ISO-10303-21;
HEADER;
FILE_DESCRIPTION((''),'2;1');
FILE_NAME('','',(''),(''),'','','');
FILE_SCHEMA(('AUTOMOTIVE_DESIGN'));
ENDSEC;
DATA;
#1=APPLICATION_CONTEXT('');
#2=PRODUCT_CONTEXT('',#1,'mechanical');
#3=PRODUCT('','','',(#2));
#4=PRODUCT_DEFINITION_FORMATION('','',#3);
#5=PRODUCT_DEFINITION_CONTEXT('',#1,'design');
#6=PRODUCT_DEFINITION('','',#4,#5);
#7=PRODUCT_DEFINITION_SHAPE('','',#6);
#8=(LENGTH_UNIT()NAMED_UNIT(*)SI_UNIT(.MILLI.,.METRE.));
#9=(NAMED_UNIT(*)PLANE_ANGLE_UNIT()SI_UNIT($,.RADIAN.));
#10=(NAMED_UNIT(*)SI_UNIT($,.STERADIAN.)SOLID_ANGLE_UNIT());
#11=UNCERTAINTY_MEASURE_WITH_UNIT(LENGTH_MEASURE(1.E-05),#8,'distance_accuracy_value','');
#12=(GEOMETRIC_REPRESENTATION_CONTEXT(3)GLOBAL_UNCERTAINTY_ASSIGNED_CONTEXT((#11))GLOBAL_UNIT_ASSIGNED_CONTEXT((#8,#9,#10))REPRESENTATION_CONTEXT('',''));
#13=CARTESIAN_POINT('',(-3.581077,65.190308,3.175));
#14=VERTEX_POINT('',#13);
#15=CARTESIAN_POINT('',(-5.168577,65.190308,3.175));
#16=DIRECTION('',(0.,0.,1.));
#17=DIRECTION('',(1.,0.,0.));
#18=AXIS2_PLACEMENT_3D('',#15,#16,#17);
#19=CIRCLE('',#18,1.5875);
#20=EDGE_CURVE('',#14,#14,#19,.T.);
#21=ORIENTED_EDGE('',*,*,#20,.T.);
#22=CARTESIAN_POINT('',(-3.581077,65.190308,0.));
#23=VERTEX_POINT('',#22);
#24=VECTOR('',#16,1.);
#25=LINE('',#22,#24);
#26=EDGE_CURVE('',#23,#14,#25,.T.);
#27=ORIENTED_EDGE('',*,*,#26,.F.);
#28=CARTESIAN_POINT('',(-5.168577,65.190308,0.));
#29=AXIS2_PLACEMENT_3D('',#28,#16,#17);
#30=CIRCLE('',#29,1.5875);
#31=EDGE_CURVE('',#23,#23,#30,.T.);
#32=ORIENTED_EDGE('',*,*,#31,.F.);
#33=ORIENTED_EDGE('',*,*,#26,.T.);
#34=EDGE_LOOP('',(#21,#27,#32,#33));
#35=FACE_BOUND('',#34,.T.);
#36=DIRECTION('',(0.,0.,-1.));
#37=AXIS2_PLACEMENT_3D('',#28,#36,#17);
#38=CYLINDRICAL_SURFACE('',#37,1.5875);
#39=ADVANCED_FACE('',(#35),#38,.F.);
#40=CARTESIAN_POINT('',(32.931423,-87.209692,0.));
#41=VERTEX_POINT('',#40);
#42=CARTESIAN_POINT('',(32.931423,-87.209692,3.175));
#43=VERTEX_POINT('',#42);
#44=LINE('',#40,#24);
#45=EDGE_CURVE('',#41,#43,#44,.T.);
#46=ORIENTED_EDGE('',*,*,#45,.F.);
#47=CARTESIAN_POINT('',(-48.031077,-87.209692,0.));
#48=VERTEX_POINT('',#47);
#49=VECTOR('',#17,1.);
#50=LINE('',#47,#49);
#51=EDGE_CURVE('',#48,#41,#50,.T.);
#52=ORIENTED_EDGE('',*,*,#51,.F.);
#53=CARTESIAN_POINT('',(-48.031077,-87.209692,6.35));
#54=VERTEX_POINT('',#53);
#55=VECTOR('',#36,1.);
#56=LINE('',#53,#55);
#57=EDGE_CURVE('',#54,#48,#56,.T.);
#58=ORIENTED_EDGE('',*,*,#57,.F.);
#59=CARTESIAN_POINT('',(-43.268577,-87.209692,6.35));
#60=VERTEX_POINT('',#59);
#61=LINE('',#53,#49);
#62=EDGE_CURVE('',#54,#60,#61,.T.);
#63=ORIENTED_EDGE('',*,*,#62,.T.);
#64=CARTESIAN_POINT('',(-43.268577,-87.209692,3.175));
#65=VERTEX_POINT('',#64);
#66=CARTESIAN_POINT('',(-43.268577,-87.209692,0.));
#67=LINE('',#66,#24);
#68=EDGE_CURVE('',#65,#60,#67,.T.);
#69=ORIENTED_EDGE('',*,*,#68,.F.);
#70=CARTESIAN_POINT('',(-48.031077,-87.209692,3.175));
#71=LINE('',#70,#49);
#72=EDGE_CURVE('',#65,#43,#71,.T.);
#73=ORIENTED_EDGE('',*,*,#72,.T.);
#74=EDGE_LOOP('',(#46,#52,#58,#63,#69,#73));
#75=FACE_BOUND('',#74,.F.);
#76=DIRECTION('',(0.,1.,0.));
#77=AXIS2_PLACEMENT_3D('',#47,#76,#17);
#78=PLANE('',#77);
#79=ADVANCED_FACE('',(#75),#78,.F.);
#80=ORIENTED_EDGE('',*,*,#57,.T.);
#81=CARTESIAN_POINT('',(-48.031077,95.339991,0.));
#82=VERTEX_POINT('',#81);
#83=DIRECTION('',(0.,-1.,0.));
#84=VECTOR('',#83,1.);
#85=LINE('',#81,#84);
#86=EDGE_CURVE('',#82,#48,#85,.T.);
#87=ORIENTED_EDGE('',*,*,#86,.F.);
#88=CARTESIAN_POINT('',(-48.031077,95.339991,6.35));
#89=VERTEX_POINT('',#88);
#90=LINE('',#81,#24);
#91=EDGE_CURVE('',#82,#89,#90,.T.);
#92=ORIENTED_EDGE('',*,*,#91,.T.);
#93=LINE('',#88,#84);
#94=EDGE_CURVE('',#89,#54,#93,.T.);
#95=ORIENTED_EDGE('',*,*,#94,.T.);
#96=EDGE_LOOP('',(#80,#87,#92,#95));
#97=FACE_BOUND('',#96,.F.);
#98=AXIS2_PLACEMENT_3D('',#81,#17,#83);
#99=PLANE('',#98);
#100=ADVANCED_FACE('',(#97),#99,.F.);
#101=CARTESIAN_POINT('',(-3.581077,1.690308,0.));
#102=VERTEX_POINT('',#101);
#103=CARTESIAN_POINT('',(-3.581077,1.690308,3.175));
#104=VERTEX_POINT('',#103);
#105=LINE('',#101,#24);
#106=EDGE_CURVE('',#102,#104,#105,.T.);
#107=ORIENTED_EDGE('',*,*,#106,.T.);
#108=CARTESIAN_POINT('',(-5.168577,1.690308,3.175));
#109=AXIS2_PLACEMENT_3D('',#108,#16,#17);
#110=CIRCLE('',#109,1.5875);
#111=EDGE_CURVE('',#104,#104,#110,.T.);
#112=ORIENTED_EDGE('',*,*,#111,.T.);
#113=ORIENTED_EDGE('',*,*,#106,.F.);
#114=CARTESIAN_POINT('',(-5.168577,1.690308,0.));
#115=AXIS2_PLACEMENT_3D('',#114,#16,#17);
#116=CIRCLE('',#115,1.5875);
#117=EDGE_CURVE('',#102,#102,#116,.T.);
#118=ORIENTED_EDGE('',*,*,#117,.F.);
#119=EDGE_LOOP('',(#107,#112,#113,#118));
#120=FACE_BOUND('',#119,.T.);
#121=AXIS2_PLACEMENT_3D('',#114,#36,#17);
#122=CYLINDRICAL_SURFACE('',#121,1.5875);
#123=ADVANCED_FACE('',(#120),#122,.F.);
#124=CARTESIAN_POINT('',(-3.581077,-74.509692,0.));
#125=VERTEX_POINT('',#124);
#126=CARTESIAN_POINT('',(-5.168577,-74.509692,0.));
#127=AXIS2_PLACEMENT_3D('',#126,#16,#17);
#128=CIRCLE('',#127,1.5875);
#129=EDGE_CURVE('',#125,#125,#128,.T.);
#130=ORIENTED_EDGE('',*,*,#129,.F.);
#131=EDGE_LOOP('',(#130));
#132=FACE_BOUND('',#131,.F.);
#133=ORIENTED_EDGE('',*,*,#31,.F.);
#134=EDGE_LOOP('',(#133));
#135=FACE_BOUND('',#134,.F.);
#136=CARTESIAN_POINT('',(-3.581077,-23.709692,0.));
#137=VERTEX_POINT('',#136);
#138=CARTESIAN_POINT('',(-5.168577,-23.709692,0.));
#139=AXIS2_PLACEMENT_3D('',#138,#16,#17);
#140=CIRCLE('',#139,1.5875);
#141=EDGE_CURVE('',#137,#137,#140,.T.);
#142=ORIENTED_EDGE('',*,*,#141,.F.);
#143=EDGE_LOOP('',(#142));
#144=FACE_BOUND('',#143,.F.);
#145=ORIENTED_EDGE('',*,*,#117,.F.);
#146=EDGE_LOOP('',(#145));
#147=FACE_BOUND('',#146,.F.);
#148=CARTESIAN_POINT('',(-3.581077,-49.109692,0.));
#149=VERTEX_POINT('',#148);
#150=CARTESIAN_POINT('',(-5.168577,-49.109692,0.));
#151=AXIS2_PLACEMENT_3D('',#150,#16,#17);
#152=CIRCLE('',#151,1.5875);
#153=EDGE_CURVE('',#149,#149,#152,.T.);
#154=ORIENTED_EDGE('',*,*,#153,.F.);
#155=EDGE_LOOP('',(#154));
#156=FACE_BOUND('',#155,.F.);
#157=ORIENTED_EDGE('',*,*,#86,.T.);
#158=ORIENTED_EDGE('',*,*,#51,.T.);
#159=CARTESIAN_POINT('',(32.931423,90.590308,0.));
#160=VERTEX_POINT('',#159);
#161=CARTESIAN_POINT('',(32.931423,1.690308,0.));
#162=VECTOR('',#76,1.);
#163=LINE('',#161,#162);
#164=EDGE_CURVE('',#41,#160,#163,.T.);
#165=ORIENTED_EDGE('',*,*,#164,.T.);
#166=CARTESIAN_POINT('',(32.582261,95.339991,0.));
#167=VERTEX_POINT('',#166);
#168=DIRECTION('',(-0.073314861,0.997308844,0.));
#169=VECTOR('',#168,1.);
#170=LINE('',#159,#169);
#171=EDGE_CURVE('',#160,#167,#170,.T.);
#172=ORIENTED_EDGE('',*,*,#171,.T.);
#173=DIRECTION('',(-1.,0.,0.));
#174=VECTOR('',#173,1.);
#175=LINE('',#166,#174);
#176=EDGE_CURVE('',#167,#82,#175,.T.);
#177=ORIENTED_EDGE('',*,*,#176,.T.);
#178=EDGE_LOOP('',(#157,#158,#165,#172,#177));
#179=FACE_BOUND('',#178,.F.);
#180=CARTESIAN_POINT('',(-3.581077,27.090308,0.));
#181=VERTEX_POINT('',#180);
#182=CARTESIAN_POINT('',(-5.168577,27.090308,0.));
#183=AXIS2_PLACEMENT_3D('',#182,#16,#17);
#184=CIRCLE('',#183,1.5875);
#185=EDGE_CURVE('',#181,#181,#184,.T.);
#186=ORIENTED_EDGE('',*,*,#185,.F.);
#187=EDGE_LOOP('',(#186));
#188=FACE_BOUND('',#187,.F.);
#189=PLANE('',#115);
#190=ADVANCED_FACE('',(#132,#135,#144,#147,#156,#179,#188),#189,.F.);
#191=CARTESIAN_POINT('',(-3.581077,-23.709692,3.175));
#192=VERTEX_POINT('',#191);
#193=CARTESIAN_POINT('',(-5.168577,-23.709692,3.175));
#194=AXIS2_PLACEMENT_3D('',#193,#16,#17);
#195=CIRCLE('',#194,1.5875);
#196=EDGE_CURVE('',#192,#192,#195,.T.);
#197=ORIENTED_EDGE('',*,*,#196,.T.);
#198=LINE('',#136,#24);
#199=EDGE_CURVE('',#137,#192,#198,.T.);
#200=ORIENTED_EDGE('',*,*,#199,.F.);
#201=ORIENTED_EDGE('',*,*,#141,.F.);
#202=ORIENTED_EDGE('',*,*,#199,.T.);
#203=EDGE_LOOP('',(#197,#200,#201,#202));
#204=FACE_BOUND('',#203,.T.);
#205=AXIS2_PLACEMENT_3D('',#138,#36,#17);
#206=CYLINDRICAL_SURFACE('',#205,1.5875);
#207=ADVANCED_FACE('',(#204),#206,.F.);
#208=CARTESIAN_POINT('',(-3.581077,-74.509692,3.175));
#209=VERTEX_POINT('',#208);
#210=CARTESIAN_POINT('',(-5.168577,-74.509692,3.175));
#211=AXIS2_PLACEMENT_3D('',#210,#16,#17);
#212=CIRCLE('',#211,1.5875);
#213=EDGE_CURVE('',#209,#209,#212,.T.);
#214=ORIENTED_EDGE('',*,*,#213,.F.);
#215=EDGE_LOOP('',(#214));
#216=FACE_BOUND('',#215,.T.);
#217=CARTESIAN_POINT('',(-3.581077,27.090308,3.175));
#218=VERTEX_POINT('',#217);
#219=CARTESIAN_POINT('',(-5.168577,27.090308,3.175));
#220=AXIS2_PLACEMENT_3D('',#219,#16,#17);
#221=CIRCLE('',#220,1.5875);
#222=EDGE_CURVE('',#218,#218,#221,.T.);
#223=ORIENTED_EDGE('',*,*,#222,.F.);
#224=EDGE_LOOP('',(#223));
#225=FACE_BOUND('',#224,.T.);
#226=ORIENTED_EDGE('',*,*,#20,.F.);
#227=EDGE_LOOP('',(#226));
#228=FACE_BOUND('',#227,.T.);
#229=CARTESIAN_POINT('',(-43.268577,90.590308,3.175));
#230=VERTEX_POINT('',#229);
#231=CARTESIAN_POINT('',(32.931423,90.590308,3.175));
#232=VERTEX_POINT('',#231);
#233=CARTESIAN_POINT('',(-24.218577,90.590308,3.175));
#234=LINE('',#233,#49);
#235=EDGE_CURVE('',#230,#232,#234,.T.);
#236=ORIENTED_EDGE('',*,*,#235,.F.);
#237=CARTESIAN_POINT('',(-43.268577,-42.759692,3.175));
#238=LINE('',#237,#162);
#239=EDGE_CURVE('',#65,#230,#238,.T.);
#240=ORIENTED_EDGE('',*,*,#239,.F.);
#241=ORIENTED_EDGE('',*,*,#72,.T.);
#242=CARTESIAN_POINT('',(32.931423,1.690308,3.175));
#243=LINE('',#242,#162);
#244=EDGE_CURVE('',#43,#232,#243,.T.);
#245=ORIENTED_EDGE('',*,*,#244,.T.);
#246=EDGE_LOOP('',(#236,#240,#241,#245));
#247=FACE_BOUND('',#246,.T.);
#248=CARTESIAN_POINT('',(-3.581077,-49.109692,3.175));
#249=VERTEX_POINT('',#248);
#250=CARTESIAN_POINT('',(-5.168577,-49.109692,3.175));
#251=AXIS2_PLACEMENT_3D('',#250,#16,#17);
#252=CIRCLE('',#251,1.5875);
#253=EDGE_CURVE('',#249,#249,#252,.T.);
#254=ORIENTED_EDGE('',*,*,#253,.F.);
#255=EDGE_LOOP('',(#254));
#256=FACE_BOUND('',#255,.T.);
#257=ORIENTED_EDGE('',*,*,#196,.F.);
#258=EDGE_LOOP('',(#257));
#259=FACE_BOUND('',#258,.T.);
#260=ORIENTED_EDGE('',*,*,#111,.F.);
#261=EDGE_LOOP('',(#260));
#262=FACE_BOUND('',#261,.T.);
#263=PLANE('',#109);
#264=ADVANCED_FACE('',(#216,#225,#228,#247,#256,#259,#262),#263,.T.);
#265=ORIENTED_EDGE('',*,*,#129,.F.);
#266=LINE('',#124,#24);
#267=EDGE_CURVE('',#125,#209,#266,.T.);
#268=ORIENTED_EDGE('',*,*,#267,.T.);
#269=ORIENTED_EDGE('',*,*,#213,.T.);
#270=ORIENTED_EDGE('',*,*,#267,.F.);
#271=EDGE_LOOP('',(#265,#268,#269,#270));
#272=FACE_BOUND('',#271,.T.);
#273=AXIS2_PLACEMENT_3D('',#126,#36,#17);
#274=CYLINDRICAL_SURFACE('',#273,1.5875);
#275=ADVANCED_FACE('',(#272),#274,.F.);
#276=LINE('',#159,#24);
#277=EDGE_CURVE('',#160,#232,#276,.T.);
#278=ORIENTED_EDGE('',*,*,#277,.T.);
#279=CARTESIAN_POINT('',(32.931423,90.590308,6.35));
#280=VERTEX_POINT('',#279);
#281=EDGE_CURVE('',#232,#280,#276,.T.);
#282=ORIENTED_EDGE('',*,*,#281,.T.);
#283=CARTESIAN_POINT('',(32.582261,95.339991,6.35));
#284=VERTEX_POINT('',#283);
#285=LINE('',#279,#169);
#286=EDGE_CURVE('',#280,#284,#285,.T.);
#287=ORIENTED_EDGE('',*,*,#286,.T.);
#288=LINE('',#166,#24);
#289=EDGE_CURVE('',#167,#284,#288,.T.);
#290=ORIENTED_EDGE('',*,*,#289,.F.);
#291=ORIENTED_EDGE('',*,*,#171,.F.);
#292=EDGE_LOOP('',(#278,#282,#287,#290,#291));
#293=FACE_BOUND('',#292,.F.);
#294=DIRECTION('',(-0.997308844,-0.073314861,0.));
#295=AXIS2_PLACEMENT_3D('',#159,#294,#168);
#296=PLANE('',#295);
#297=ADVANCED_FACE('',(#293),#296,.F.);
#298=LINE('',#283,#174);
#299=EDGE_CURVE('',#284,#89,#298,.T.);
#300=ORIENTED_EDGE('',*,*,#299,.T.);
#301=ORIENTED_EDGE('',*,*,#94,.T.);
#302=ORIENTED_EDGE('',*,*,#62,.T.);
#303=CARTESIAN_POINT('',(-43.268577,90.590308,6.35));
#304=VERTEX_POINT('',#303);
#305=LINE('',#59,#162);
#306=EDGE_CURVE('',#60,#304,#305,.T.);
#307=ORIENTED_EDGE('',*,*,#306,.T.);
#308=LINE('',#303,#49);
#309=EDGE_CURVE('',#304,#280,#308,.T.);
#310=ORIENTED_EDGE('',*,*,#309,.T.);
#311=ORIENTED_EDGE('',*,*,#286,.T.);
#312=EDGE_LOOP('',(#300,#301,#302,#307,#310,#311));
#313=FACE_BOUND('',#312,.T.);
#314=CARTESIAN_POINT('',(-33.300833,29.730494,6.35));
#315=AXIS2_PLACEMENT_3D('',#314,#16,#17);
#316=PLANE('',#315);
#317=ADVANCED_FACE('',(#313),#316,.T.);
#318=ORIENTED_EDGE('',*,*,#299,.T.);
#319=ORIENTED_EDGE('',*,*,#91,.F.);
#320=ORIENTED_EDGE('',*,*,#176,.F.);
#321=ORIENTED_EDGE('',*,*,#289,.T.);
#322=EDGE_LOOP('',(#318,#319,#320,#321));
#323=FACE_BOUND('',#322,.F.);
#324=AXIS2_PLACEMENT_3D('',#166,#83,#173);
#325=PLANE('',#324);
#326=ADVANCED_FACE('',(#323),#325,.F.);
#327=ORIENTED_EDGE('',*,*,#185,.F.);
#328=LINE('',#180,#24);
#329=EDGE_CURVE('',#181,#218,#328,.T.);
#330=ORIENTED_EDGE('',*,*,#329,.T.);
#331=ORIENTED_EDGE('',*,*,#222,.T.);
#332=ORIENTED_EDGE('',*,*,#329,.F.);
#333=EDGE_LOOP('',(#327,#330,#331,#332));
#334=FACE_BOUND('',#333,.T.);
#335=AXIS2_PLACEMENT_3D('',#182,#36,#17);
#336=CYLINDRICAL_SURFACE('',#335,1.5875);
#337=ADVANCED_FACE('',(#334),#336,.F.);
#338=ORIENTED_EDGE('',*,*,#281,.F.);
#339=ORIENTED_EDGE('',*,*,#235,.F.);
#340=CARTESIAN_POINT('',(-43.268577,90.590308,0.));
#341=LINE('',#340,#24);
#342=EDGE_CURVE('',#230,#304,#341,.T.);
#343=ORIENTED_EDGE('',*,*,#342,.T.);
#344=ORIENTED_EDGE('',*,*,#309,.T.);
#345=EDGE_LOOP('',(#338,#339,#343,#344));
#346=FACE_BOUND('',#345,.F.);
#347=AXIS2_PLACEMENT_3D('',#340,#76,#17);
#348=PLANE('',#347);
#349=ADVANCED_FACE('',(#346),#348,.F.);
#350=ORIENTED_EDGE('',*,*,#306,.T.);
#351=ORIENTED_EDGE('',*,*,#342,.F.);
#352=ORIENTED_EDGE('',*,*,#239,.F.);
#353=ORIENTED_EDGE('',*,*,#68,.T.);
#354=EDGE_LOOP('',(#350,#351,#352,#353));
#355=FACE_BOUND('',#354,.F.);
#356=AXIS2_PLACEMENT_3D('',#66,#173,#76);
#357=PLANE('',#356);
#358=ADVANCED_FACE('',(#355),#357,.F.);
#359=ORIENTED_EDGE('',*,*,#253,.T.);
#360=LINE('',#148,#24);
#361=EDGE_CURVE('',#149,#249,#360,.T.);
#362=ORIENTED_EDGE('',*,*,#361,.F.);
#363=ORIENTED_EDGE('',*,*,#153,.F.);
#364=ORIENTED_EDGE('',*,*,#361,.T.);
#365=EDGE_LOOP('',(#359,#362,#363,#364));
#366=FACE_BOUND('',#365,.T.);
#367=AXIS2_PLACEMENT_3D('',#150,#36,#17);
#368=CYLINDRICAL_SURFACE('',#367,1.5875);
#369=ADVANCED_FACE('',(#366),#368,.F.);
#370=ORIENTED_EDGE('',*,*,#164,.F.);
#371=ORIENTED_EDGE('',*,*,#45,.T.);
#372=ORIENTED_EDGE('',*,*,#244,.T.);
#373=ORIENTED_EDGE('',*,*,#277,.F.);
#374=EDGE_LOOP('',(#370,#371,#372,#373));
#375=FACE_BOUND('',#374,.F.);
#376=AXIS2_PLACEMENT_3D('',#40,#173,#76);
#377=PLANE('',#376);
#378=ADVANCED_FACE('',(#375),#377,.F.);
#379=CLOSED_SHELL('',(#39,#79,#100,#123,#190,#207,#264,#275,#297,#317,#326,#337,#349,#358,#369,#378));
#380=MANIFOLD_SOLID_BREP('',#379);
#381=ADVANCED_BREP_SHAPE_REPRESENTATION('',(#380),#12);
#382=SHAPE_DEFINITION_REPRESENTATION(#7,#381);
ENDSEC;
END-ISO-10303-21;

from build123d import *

# Parameters (mm, degrees)
F1_DEPTH = 6.35
F0_W     = 76.2
F0_H     = 177.8
F0_R     = 1.5875
F2_DEPTH = 3.175


with BuildPart() as f1:
    # F0 (on Top) → F1 (new body)
    with BuildSketch(Plane.XY):
        Polygon((-48.031077, -87.209692), (-43.268577, -87.209692), (-43.268577, 90.590308), (32.931423, 90.590308), (32.582261, 95.339991), (-48.031077, 95.339991), align=None)
    extrude(amount=F1_DEPTH)

    # F0 (on Top) → F2 (join)
    with BuildSketch(Plane.XY):
        with Locations((-5.168577, 1.690308)):
            Rectangle(F0_W, F0_H)
        with Locations((-5.168577, -74.509692)):
            Circle(F0_R, mode=Mode.SUBTRACT)
        with Locations((-5.168577, -49.109692)):
            Circle(F0_R, mode=Mode.SUBTRACT)
        with Locations((-5.168577, -23.709692)):
            Circle(F0_R, mode=Mode.SUBTRACT)
        with Locations((-5.168577, 1.690308)):
            Circle(F0_R, mode=Mode.SUBTRACT)
        with Locations((-5.168577, 27.090308)):
            Circle(F0_R, mode=Mode.SUBTRACT)
        with Locations((-5.168577, 65.190308)):
            Circle(F0_R, mode=Mode.SUBTRACT)
        Polygon((-48.031077, -87.209692), (-43.268577, -87.209692), (-43.268577, 90.590308), (32.931423, 90.590308), (32.582261, 95.339991), (-48.031077, 95.339991), align=None)
    extrude(amount=F2_DEPTH)


solid = f1.part
